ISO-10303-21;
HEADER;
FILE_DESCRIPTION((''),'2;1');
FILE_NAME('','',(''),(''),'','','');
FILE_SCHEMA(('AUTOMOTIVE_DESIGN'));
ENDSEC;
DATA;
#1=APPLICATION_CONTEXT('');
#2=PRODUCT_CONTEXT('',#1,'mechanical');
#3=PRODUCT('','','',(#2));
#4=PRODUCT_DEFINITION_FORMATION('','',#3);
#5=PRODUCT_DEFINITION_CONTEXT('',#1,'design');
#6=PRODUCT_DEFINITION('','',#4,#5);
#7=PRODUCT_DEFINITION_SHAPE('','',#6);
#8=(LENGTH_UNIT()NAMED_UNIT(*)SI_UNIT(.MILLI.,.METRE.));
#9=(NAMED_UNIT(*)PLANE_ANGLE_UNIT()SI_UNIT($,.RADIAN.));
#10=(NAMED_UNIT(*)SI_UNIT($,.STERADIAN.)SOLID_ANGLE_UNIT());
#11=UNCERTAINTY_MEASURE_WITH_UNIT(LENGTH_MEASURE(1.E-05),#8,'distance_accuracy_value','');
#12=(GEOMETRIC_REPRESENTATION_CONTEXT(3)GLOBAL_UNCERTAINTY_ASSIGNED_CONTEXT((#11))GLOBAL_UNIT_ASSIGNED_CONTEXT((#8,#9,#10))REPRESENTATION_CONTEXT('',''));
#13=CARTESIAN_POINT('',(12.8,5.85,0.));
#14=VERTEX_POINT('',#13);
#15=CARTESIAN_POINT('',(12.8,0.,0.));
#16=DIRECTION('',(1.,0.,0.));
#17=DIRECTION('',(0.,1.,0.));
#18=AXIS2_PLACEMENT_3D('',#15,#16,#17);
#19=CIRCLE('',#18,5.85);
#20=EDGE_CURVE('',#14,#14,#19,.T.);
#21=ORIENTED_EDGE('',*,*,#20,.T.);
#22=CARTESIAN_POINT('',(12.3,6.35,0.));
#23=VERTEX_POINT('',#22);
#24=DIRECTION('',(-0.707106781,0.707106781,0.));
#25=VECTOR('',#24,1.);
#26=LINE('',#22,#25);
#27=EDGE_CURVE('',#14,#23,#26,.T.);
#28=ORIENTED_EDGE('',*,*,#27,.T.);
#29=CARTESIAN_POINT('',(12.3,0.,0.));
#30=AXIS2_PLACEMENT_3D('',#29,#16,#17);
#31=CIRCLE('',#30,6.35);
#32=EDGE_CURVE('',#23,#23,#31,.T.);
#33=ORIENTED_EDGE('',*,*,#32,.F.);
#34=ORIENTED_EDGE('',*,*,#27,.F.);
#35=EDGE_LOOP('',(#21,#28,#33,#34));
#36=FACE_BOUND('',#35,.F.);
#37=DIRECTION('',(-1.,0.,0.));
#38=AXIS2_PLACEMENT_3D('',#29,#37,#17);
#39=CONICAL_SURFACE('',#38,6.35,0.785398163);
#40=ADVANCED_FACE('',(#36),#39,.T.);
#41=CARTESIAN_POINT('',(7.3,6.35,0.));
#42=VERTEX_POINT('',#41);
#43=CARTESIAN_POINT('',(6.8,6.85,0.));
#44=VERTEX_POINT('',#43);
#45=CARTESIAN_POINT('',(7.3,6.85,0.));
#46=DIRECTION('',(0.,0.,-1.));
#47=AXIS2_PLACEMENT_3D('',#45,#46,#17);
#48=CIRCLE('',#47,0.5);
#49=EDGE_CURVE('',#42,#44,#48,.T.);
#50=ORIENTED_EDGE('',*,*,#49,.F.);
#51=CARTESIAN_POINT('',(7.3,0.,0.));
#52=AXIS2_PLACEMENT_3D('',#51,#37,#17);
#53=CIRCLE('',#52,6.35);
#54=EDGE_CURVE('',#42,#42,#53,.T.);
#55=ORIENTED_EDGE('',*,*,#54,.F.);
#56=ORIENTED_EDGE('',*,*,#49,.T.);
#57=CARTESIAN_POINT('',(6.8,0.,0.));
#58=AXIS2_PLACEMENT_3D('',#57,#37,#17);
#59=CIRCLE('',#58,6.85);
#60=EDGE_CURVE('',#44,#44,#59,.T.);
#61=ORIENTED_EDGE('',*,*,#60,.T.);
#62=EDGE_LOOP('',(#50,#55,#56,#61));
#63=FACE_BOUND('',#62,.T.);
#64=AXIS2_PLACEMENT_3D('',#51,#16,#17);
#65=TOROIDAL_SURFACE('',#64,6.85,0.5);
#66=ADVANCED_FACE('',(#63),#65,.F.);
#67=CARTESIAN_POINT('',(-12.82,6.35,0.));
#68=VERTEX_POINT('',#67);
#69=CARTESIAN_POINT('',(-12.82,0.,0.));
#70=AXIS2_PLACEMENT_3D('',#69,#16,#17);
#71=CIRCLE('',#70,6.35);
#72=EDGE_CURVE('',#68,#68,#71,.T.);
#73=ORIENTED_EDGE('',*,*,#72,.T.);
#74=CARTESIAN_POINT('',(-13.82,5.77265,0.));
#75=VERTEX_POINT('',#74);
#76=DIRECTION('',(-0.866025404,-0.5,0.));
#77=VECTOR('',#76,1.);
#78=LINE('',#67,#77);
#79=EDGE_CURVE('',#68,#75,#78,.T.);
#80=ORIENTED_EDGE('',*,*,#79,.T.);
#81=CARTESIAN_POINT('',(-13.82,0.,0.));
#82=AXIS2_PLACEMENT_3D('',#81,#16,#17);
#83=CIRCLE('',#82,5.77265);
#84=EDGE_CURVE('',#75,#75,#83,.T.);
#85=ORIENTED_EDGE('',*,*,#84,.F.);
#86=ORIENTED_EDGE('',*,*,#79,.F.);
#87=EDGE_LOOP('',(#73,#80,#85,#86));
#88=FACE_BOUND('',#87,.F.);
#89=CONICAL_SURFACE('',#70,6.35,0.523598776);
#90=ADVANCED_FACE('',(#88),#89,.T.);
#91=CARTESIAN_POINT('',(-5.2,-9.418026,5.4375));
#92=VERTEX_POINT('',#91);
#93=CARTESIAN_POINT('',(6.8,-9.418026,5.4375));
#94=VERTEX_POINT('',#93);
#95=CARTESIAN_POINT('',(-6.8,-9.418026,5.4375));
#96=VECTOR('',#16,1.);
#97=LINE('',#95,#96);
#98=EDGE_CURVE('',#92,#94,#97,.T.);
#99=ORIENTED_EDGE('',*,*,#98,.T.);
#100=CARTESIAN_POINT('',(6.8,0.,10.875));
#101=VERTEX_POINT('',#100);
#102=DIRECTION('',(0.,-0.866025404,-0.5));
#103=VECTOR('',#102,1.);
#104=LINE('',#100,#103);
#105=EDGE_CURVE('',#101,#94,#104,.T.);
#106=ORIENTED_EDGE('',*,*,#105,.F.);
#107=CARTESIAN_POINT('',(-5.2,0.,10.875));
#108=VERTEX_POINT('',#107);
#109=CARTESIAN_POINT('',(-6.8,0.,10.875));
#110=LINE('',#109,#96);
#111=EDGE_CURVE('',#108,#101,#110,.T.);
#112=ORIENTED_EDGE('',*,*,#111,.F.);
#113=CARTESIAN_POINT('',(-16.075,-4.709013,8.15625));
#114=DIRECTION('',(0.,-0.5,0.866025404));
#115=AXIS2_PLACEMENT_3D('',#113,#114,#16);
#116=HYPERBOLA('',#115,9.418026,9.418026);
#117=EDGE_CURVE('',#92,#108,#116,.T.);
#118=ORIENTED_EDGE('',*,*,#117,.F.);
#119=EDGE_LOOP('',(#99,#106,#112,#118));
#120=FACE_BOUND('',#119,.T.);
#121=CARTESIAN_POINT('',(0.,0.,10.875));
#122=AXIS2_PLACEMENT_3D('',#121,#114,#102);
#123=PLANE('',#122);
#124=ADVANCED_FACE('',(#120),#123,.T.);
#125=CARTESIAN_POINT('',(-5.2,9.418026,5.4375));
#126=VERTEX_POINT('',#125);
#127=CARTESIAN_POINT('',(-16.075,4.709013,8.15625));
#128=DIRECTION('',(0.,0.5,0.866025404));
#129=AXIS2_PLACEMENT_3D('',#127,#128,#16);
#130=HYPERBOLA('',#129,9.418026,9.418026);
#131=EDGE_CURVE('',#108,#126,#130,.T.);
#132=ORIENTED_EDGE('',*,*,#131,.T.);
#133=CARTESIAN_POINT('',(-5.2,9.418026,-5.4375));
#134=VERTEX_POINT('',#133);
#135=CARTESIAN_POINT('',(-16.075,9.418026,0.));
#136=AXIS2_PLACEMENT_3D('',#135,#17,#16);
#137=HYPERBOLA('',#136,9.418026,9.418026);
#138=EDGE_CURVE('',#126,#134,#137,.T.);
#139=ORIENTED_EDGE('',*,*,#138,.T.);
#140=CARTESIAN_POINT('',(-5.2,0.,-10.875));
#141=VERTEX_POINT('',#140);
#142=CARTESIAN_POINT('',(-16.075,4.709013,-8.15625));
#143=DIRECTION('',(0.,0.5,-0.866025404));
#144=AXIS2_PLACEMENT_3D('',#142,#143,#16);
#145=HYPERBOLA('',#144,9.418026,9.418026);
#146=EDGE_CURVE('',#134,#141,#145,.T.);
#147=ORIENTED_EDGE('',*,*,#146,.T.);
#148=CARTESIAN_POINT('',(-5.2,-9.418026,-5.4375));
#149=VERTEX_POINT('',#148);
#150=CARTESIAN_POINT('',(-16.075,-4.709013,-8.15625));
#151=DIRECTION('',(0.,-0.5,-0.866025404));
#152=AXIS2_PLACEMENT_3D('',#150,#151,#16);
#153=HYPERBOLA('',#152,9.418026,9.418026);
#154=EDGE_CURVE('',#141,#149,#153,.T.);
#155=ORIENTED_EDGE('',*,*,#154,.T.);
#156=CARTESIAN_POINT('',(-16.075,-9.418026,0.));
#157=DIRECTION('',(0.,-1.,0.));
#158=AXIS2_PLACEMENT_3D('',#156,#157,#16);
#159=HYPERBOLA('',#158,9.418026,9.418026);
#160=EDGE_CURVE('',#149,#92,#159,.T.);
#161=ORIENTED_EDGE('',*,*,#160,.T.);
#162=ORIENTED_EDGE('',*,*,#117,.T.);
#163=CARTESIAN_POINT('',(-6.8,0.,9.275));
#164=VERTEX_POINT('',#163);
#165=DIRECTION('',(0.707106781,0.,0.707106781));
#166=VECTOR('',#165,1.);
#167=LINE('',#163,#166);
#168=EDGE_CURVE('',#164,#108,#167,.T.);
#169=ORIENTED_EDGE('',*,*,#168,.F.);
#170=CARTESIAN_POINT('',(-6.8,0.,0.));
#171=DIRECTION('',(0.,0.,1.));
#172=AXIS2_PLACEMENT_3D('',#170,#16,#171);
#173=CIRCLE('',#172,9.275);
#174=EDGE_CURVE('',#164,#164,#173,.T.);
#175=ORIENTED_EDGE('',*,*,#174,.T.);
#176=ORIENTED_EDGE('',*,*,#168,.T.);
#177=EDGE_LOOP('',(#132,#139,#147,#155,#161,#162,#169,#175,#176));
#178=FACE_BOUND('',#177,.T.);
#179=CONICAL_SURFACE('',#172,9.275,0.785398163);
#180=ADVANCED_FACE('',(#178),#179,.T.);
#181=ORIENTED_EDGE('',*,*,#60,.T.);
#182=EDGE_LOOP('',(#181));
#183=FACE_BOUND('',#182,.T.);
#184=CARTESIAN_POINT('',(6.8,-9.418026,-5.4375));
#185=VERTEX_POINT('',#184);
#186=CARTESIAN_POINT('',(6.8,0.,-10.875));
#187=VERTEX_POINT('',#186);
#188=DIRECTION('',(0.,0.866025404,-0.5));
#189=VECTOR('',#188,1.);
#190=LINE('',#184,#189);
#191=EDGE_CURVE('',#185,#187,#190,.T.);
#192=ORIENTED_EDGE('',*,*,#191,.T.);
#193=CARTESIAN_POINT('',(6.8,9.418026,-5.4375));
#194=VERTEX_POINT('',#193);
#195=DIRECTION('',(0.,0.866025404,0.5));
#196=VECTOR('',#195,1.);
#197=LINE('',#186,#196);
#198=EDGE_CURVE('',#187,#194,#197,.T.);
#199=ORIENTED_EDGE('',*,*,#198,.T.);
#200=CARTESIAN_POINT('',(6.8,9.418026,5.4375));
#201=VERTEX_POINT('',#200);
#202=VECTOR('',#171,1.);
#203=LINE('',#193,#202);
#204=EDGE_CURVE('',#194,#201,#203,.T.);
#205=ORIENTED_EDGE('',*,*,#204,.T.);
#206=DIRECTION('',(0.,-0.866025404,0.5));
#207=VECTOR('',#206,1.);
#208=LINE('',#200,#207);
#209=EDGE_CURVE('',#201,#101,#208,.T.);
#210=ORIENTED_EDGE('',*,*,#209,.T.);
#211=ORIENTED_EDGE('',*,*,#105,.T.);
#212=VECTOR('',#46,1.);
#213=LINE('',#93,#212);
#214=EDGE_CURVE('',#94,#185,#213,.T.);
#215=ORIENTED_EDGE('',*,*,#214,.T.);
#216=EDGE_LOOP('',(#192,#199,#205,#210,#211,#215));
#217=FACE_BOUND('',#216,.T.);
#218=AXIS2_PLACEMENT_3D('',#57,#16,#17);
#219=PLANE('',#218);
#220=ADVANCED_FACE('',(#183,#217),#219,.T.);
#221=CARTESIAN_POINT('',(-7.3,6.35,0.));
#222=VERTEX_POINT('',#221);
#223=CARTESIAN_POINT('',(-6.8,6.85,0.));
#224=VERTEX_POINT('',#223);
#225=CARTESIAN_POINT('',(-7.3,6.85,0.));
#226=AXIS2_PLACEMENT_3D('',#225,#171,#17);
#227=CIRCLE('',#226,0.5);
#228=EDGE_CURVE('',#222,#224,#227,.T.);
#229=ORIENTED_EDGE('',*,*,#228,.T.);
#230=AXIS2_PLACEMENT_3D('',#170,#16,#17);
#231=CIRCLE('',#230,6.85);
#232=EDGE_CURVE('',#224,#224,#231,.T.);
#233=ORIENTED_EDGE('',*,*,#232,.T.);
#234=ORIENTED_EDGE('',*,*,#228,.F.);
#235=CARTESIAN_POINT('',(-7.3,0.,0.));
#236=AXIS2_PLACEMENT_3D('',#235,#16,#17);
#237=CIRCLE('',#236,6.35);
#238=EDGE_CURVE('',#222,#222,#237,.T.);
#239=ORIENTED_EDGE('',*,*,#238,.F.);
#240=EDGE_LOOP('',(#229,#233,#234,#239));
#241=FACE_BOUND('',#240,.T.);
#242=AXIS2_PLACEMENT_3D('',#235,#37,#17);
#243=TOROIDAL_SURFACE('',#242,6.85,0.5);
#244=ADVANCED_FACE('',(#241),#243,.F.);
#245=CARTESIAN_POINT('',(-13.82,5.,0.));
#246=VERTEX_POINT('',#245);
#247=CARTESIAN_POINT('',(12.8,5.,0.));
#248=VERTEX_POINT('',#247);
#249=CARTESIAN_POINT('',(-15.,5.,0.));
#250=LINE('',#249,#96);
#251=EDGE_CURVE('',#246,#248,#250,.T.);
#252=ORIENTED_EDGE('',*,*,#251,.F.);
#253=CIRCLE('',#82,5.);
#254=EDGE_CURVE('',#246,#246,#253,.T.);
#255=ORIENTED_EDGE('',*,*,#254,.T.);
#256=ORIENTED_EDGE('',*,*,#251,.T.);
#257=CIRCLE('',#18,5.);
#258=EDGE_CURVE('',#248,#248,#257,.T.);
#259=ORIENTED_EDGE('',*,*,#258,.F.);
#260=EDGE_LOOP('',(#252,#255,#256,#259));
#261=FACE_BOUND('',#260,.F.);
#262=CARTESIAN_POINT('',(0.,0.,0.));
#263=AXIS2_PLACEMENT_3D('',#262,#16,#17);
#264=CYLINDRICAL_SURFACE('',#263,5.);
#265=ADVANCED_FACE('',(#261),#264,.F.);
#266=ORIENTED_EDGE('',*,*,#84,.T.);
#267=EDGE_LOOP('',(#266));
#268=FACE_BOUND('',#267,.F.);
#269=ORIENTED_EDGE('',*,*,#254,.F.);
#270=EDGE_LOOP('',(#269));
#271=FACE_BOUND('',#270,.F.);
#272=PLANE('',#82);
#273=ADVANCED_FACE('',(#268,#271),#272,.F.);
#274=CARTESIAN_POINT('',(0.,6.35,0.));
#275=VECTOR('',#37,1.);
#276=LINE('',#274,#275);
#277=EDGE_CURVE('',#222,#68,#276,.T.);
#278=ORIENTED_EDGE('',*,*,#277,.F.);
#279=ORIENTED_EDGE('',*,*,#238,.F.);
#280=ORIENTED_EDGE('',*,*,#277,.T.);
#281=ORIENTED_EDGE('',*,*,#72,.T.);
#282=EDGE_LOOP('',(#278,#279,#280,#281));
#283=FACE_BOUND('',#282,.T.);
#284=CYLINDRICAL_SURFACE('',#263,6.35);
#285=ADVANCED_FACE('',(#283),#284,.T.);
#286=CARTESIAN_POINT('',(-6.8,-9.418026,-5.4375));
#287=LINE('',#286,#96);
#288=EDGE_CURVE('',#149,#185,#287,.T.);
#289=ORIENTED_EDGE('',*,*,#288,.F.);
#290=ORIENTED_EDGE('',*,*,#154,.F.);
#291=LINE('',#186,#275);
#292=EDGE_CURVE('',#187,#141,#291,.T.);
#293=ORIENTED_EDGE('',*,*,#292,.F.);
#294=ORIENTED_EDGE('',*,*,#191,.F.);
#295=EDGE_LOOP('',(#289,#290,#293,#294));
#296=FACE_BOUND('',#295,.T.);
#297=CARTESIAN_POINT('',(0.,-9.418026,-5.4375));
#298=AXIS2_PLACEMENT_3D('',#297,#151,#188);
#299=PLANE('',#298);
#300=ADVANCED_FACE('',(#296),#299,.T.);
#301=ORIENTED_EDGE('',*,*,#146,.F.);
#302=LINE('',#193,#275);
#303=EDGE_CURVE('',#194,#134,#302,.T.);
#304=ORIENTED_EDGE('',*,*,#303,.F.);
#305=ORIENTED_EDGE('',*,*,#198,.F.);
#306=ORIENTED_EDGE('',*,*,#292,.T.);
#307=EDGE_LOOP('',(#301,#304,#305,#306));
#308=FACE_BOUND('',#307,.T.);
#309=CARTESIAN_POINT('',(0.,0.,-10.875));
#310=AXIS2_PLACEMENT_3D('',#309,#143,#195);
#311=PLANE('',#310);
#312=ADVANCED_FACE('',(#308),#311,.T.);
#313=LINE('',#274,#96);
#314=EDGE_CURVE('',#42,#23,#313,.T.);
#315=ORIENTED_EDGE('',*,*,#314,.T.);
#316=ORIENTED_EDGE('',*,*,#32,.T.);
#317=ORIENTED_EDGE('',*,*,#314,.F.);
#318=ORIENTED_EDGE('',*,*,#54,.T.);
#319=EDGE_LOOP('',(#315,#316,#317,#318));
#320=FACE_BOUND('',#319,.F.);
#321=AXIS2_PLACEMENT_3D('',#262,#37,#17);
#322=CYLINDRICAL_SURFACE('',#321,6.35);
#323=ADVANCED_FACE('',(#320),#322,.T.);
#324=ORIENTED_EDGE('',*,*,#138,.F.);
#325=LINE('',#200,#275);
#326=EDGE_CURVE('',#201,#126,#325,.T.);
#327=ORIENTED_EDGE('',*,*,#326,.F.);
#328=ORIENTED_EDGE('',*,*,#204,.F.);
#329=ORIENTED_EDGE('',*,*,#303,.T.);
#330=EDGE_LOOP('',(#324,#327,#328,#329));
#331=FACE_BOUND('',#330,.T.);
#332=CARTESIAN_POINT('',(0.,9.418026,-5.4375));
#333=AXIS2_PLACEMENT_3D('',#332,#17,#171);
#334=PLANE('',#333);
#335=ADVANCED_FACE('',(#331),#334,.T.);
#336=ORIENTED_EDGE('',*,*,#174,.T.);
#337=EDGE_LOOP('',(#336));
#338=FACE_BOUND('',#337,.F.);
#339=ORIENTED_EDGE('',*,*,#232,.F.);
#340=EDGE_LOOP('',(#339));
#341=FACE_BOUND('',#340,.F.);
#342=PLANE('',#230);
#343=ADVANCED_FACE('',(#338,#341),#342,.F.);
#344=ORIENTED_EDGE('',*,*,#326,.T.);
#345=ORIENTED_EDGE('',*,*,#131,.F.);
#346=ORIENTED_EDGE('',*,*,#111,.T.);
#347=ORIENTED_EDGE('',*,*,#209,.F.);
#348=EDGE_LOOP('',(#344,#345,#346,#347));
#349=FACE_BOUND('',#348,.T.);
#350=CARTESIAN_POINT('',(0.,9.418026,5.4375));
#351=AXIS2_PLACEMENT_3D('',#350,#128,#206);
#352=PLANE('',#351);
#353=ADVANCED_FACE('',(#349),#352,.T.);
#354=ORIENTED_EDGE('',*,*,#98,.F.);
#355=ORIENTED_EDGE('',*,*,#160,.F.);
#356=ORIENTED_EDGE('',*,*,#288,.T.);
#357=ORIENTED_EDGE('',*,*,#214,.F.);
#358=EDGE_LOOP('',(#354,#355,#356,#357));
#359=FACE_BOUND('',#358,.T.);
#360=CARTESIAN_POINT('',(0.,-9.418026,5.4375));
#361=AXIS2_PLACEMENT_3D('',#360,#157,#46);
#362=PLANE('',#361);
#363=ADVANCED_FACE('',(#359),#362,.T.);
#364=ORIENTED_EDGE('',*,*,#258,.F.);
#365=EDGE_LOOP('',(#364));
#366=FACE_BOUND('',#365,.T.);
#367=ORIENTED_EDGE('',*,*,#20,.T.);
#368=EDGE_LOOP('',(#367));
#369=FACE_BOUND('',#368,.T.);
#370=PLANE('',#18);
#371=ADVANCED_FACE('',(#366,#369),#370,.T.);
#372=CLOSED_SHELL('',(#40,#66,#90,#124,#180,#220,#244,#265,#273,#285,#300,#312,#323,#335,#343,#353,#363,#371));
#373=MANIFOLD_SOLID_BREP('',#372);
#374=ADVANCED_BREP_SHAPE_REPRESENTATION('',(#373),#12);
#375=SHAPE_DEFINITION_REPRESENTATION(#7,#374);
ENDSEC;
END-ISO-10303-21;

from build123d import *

# Parameters (mm, degrees)
F0_R          = 6.35
F1_DEPTH      = 6.8
F1_DEPTH_BACK = 6.8
F2_DEPTH      = 13.82
F2_DEPTH_BACK = 12.8
F5_R          = 5
F6_DEPTH      = 15
F7_SIZE2      = 0.5773502692
F7_SIZE       = 1
F8_SIZE       = 0.5
F9_R          = 0.5


with BuildPart() as f1:
    # F0 (on Right) → F1 (new body, two sides)
    with BuildSketch(Plane.YZ) as f1_sk:
        Polygon((9.4180262662, 5.4375), (0, 10.875), (-9.4180262662, 5.4375), (-9.4180262662, -5.4375), (0, -10.875), (9.4180262662, -5.4375), align=None)
        Circle(F0_R, mode=Mode.SUBTRACT)
        Circle(F0_R)
    extrude(amount=F1_DEPTH)
    extrude(f1_sk.sketch, amount=-F1_DEPTH_BACK)

    # F0 (on Right) → F2 (join, two sides)
    with BuildSketch(Plane.YZ) as f2_sk:
        Circle(F0_R)
    extrude(amount=-F2_DEPTH)
    extrude(f2_sk.sketch, amount=F2_DEPTH_BACK)

    # F3 (on Front) → F4 (revolve, cut)
    with BuildSketch(Plane.XZ):
        Polygon((-6.8, 9.275), (-5.2, 10.875), (-6.8, 10.875), align=None)
    revolve(axis=Axis((0, 0, 0), (1, 0, 0)), mode=Mode.SUBTRACT)

    # F5 (on Right) → F6 (cut, symmetric)
    with BuildSketch(Plane.YZ):
        Circle(F5_R)
    extrude(amount=F6_DEPTH, both=True, mode=Mode.SUBTRACT)

    # F7
    f7_edges = [f1.edges().sort_by_distance(p)[0] for p in [
        (-13.82, -6.35, 0),
    ]]
    f7_side = f1.faces().sort_by_distance((-10.31, -6.35, 0))[0]
    chamfer(f7_edges, length=F7_SIZE, length2=F7_SIZE2, reference=f7_side)

    # F8
    f8_edges = [f1.edges().sort_by_distance(p)[0] for p in [
        (12.8, -6.35, 0),
    ]]
    chamfer(f8_edges, length=F8_SIZE)

    # F9
    f9_edges = [f1.edges().sort_by_distance(p)[0] for p in [
        (6.8, -6.35, 0),
        (-6.8, -6.35, 0),
    ]]
    fillet(f9_edges, radius=F9_R)


solid = f1.part
